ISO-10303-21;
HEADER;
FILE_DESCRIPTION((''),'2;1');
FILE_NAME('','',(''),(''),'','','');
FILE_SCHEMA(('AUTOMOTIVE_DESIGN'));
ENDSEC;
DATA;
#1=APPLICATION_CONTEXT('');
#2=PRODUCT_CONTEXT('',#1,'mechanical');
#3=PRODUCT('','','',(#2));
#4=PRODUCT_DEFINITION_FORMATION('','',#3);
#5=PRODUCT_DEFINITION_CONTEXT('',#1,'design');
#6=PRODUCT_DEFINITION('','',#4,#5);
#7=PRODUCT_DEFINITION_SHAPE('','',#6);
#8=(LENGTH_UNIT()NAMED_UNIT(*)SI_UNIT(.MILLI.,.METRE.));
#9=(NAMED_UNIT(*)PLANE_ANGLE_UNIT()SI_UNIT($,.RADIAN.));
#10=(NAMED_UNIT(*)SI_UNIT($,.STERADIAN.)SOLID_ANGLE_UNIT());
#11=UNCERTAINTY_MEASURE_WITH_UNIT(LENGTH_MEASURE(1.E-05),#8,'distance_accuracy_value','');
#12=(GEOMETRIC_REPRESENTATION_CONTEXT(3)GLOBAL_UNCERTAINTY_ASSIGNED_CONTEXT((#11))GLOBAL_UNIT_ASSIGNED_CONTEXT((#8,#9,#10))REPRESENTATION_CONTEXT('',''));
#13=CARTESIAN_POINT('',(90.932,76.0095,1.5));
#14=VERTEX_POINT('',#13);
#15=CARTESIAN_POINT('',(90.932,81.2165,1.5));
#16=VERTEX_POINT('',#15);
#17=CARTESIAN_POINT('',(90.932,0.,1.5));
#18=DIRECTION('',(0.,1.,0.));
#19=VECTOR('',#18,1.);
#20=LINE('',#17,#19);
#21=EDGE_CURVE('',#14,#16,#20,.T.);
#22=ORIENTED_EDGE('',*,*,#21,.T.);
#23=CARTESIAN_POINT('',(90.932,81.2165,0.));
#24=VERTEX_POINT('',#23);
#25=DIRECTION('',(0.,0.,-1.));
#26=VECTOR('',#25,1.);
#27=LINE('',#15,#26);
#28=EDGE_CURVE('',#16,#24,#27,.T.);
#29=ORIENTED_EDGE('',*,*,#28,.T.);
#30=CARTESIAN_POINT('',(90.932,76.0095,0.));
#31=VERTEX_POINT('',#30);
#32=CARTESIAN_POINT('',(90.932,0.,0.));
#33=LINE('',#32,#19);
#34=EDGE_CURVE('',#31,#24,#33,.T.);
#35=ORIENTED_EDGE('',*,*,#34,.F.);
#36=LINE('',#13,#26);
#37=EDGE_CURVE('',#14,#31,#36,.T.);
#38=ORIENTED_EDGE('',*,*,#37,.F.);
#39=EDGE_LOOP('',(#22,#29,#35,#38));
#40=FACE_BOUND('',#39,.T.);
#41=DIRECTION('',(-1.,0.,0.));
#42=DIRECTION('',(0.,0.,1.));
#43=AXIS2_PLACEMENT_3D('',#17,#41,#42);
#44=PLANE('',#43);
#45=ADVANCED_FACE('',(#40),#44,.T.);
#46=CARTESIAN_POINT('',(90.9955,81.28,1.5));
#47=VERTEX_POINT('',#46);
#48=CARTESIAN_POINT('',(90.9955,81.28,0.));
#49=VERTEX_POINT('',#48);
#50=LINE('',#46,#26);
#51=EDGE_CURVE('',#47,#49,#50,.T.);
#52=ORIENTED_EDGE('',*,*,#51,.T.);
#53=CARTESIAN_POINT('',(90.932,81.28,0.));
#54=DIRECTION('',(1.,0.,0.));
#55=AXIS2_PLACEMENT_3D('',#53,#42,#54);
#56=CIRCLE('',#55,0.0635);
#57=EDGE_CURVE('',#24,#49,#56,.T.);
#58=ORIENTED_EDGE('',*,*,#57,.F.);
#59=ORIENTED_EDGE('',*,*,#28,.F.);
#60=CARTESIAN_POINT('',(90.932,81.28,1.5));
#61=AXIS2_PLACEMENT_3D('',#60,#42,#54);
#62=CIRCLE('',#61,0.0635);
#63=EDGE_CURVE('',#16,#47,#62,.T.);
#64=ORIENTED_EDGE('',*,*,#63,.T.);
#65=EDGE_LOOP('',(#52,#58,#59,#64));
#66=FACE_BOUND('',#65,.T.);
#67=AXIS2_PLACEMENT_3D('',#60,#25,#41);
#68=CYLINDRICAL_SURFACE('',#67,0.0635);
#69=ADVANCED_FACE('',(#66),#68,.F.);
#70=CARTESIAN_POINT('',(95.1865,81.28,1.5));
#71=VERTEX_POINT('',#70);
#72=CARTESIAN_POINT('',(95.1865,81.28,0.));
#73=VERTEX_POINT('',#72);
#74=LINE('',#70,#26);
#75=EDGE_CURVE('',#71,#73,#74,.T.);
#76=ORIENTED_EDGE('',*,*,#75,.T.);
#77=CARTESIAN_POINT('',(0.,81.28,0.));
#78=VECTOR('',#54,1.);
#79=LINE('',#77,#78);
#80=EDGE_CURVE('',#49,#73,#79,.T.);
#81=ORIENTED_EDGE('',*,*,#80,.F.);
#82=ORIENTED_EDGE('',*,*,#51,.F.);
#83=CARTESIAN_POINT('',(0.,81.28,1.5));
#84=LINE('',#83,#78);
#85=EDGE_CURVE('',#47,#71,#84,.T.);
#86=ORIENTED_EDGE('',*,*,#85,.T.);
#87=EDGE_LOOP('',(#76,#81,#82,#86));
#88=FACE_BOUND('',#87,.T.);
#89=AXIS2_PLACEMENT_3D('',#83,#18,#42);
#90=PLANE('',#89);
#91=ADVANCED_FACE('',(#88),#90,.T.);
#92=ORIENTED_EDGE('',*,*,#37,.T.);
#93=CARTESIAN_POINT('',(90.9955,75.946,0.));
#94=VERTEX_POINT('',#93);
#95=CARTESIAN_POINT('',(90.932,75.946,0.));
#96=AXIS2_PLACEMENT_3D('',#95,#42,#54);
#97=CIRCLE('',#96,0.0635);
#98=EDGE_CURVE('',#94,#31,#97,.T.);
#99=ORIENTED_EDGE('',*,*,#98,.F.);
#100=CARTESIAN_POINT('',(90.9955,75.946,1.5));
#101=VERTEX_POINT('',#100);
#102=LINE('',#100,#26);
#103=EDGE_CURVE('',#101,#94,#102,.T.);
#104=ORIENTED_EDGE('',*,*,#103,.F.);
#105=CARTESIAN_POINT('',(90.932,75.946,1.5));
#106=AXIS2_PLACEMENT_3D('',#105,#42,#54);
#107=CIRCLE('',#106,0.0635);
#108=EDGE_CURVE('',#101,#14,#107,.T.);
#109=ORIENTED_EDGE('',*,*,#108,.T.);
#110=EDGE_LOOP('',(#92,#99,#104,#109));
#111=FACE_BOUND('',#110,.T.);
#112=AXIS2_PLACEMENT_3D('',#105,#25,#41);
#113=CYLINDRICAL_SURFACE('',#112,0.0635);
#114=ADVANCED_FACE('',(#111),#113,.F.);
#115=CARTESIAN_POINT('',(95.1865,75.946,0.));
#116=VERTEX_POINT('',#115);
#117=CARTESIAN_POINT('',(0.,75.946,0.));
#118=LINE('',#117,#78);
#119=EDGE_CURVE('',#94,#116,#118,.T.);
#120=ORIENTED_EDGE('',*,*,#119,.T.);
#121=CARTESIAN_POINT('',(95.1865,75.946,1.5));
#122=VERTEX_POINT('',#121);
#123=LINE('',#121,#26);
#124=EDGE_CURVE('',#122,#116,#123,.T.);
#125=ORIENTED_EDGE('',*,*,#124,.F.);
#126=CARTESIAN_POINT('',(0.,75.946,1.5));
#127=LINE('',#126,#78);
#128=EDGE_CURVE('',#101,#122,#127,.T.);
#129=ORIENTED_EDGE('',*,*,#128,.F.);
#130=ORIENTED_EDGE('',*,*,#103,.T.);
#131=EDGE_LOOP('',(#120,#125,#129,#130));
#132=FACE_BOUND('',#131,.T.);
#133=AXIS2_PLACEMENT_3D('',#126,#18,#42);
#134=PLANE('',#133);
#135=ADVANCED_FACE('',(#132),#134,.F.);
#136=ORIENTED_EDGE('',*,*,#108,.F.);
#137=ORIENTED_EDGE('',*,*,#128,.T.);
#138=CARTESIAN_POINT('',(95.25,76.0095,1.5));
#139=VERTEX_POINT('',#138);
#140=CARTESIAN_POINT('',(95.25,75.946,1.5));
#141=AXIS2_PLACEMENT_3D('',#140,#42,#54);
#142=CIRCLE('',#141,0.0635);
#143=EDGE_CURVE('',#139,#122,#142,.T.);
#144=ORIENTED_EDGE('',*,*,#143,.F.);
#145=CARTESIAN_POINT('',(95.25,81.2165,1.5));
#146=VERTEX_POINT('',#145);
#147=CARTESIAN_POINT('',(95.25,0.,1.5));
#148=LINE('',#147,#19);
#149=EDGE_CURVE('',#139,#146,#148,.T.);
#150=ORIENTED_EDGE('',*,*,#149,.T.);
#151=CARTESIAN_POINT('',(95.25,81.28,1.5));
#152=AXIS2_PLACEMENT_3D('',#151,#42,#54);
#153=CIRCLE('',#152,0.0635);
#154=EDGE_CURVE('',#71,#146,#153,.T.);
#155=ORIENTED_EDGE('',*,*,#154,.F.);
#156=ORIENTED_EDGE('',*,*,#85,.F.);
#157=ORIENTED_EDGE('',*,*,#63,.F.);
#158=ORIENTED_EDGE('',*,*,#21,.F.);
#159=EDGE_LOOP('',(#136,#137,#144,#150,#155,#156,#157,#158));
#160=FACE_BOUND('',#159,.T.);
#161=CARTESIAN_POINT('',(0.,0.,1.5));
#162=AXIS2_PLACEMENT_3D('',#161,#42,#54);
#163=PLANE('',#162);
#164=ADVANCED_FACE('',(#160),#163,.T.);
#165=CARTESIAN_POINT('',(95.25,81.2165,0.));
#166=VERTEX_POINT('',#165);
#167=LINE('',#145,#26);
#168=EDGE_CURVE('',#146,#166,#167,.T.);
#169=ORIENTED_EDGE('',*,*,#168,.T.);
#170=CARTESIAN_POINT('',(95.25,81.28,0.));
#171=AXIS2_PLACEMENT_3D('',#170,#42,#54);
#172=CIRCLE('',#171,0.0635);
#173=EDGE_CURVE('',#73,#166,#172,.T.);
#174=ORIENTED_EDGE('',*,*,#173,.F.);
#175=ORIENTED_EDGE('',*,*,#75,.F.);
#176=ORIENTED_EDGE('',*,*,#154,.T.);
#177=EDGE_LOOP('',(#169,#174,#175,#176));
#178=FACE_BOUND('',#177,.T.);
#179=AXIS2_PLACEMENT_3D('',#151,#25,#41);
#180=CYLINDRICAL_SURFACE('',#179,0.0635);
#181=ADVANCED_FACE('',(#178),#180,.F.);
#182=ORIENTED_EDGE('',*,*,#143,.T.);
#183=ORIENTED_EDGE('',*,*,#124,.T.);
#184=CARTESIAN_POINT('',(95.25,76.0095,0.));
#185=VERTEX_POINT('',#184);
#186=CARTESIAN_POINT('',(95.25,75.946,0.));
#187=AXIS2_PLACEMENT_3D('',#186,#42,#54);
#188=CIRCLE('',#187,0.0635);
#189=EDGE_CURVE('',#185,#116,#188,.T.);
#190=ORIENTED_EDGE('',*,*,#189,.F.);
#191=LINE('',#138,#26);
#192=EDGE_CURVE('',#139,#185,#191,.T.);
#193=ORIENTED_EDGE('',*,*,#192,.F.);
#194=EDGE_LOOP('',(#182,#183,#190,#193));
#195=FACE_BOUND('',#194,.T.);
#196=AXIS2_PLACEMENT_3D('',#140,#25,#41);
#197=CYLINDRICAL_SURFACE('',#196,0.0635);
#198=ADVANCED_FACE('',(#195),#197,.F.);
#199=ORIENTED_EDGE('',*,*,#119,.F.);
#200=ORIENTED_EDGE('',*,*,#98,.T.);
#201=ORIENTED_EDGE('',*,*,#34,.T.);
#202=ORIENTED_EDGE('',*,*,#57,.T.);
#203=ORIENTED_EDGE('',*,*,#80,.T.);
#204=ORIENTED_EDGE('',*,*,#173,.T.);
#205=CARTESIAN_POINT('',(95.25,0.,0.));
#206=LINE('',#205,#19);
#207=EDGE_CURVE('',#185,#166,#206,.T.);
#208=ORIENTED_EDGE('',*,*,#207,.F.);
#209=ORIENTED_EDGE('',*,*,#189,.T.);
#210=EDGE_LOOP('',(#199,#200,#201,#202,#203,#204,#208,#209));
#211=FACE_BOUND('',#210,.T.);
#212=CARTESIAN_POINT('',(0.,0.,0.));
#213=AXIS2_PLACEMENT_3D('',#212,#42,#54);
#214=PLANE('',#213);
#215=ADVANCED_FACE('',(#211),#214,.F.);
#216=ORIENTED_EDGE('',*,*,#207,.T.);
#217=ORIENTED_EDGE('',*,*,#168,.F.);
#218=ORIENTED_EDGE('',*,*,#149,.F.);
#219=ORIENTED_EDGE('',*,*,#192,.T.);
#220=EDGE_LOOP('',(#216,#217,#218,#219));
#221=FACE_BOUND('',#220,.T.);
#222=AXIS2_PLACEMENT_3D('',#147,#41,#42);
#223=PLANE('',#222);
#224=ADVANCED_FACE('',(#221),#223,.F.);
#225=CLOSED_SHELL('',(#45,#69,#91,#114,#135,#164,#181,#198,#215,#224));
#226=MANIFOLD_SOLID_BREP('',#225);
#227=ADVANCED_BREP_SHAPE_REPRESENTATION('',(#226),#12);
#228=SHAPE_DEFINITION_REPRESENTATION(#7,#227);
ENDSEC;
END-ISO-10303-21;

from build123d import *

# Parameters (mm, degrees)
EXTRUDE_1_DEPTH = 1.5


with BuildPart() as part:
    # 草图1 → 凸台-拉伸1 (new body)
    with BuildSketch(Plane.XY):
        with BuildLine():
            Line((90.932, 81.2165), (90.932, 76.0095))
            ThreePointArc((90.932, 76.0095), (90.976901281, 75.990901281), (90.9955, 75.946))
            Line((90.9955, 75.946), (95.1865, 75.946))
            ThreePointArc((95.1865, 75.946), (95.205098719, 75.990901281), (95.25, 76.0095))
            Line((95.25, 76.0095), (95.25, 81.2165))
            ThreePointArc((95.25, 81.2165), (95.205098719, 81.235098719), (95.1865, 81.28))
            Line((95.1865, 81.28), (90.9955, 81.28))
            ThreePointArc((90.9955, 81.28), (90.976901281, 81.235098719), (90.932, 81.2165))
        make_face()
    extrude(amount=EXTRUDE_1_DEPTH)


solid = part.part
